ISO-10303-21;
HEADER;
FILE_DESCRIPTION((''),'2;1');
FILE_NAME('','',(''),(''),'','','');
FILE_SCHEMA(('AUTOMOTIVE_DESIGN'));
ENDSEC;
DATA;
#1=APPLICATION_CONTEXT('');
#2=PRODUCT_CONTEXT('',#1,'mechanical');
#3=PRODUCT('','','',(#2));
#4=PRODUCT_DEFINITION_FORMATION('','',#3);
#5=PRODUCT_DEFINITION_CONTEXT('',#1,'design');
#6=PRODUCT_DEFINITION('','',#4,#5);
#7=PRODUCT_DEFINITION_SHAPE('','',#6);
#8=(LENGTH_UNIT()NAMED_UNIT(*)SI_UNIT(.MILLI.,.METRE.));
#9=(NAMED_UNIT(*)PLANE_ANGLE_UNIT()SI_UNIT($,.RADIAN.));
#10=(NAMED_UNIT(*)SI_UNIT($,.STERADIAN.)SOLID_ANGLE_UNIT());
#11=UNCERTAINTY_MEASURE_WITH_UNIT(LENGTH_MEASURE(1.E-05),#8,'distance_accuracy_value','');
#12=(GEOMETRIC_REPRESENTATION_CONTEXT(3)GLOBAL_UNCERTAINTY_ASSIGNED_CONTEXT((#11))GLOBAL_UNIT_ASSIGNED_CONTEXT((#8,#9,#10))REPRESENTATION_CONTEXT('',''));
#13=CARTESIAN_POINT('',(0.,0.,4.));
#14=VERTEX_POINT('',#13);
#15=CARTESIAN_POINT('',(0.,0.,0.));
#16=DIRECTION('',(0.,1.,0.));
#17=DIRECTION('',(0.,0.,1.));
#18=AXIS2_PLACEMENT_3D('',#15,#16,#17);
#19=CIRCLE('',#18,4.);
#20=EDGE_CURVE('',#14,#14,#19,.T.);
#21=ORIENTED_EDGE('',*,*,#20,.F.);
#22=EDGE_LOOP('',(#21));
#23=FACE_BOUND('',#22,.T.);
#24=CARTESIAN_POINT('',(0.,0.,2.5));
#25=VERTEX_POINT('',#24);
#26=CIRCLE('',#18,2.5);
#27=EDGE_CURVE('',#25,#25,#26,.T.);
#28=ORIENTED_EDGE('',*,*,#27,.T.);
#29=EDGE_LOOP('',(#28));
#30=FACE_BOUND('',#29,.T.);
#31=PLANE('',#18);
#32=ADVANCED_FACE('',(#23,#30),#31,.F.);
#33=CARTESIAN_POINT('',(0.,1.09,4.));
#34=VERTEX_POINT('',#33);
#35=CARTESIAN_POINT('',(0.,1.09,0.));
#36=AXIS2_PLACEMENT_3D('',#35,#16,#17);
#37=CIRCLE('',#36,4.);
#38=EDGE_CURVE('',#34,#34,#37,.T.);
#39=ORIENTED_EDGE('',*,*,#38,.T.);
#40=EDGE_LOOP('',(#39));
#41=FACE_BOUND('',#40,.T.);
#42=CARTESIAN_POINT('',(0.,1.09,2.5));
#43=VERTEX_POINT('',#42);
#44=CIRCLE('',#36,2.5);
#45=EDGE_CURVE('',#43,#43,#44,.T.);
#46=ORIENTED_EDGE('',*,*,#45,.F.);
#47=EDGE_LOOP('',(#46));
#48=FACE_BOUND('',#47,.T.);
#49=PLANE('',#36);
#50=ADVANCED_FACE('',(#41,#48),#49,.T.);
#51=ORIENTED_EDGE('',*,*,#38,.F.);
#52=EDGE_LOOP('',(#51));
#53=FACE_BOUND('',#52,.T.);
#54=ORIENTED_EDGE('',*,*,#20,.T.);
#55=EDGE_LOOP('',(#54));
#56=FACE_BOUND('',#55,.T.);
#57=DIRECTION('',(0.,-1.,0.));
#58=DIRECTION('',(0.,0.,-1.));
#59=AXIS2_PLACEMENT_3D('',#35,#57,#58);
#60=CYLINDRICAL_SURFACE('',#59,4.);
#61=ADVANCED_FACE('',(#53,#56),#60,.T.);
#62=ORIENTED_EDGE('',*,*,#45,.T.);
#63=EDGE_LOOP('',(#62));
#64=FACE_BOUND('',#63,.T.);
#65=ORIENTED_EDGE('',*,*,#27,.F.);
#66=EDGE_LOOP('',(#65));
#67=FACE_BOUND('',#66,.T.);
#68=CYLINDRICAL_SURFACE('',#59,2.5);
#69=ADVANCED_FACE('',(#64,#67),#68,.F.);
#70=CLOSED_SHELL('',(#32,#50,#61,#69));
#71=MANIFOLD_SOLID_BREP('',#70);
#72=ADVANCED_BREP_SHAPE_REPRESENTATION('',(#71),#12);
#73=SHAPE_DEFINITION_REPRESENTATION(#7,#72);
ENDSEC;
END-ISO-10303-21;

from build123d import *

# Parameters (mm, degrees)
ESQUISSE1_R        = 4
ESQUISSE1_R_2      = 2.5
BOSS_EXTRU_1_DEPTH = 1.09


with BuildPart() as part:
    # Esquisse1 → Boss.-Extru.1 (new body)
    with BuildSketch(Plane(origin=(0, 0, 0), x_dir=(1, 0, 0), z_dir=(0, 1, 0))):
        Circle(ESQUISSE1_R)
        Circle(ESQUISSE1_R_2, mode=Mode.SUBTRACT)
    extrude(amount=BOSS_EXTRU_1_DEPTH)


solid = part.part
